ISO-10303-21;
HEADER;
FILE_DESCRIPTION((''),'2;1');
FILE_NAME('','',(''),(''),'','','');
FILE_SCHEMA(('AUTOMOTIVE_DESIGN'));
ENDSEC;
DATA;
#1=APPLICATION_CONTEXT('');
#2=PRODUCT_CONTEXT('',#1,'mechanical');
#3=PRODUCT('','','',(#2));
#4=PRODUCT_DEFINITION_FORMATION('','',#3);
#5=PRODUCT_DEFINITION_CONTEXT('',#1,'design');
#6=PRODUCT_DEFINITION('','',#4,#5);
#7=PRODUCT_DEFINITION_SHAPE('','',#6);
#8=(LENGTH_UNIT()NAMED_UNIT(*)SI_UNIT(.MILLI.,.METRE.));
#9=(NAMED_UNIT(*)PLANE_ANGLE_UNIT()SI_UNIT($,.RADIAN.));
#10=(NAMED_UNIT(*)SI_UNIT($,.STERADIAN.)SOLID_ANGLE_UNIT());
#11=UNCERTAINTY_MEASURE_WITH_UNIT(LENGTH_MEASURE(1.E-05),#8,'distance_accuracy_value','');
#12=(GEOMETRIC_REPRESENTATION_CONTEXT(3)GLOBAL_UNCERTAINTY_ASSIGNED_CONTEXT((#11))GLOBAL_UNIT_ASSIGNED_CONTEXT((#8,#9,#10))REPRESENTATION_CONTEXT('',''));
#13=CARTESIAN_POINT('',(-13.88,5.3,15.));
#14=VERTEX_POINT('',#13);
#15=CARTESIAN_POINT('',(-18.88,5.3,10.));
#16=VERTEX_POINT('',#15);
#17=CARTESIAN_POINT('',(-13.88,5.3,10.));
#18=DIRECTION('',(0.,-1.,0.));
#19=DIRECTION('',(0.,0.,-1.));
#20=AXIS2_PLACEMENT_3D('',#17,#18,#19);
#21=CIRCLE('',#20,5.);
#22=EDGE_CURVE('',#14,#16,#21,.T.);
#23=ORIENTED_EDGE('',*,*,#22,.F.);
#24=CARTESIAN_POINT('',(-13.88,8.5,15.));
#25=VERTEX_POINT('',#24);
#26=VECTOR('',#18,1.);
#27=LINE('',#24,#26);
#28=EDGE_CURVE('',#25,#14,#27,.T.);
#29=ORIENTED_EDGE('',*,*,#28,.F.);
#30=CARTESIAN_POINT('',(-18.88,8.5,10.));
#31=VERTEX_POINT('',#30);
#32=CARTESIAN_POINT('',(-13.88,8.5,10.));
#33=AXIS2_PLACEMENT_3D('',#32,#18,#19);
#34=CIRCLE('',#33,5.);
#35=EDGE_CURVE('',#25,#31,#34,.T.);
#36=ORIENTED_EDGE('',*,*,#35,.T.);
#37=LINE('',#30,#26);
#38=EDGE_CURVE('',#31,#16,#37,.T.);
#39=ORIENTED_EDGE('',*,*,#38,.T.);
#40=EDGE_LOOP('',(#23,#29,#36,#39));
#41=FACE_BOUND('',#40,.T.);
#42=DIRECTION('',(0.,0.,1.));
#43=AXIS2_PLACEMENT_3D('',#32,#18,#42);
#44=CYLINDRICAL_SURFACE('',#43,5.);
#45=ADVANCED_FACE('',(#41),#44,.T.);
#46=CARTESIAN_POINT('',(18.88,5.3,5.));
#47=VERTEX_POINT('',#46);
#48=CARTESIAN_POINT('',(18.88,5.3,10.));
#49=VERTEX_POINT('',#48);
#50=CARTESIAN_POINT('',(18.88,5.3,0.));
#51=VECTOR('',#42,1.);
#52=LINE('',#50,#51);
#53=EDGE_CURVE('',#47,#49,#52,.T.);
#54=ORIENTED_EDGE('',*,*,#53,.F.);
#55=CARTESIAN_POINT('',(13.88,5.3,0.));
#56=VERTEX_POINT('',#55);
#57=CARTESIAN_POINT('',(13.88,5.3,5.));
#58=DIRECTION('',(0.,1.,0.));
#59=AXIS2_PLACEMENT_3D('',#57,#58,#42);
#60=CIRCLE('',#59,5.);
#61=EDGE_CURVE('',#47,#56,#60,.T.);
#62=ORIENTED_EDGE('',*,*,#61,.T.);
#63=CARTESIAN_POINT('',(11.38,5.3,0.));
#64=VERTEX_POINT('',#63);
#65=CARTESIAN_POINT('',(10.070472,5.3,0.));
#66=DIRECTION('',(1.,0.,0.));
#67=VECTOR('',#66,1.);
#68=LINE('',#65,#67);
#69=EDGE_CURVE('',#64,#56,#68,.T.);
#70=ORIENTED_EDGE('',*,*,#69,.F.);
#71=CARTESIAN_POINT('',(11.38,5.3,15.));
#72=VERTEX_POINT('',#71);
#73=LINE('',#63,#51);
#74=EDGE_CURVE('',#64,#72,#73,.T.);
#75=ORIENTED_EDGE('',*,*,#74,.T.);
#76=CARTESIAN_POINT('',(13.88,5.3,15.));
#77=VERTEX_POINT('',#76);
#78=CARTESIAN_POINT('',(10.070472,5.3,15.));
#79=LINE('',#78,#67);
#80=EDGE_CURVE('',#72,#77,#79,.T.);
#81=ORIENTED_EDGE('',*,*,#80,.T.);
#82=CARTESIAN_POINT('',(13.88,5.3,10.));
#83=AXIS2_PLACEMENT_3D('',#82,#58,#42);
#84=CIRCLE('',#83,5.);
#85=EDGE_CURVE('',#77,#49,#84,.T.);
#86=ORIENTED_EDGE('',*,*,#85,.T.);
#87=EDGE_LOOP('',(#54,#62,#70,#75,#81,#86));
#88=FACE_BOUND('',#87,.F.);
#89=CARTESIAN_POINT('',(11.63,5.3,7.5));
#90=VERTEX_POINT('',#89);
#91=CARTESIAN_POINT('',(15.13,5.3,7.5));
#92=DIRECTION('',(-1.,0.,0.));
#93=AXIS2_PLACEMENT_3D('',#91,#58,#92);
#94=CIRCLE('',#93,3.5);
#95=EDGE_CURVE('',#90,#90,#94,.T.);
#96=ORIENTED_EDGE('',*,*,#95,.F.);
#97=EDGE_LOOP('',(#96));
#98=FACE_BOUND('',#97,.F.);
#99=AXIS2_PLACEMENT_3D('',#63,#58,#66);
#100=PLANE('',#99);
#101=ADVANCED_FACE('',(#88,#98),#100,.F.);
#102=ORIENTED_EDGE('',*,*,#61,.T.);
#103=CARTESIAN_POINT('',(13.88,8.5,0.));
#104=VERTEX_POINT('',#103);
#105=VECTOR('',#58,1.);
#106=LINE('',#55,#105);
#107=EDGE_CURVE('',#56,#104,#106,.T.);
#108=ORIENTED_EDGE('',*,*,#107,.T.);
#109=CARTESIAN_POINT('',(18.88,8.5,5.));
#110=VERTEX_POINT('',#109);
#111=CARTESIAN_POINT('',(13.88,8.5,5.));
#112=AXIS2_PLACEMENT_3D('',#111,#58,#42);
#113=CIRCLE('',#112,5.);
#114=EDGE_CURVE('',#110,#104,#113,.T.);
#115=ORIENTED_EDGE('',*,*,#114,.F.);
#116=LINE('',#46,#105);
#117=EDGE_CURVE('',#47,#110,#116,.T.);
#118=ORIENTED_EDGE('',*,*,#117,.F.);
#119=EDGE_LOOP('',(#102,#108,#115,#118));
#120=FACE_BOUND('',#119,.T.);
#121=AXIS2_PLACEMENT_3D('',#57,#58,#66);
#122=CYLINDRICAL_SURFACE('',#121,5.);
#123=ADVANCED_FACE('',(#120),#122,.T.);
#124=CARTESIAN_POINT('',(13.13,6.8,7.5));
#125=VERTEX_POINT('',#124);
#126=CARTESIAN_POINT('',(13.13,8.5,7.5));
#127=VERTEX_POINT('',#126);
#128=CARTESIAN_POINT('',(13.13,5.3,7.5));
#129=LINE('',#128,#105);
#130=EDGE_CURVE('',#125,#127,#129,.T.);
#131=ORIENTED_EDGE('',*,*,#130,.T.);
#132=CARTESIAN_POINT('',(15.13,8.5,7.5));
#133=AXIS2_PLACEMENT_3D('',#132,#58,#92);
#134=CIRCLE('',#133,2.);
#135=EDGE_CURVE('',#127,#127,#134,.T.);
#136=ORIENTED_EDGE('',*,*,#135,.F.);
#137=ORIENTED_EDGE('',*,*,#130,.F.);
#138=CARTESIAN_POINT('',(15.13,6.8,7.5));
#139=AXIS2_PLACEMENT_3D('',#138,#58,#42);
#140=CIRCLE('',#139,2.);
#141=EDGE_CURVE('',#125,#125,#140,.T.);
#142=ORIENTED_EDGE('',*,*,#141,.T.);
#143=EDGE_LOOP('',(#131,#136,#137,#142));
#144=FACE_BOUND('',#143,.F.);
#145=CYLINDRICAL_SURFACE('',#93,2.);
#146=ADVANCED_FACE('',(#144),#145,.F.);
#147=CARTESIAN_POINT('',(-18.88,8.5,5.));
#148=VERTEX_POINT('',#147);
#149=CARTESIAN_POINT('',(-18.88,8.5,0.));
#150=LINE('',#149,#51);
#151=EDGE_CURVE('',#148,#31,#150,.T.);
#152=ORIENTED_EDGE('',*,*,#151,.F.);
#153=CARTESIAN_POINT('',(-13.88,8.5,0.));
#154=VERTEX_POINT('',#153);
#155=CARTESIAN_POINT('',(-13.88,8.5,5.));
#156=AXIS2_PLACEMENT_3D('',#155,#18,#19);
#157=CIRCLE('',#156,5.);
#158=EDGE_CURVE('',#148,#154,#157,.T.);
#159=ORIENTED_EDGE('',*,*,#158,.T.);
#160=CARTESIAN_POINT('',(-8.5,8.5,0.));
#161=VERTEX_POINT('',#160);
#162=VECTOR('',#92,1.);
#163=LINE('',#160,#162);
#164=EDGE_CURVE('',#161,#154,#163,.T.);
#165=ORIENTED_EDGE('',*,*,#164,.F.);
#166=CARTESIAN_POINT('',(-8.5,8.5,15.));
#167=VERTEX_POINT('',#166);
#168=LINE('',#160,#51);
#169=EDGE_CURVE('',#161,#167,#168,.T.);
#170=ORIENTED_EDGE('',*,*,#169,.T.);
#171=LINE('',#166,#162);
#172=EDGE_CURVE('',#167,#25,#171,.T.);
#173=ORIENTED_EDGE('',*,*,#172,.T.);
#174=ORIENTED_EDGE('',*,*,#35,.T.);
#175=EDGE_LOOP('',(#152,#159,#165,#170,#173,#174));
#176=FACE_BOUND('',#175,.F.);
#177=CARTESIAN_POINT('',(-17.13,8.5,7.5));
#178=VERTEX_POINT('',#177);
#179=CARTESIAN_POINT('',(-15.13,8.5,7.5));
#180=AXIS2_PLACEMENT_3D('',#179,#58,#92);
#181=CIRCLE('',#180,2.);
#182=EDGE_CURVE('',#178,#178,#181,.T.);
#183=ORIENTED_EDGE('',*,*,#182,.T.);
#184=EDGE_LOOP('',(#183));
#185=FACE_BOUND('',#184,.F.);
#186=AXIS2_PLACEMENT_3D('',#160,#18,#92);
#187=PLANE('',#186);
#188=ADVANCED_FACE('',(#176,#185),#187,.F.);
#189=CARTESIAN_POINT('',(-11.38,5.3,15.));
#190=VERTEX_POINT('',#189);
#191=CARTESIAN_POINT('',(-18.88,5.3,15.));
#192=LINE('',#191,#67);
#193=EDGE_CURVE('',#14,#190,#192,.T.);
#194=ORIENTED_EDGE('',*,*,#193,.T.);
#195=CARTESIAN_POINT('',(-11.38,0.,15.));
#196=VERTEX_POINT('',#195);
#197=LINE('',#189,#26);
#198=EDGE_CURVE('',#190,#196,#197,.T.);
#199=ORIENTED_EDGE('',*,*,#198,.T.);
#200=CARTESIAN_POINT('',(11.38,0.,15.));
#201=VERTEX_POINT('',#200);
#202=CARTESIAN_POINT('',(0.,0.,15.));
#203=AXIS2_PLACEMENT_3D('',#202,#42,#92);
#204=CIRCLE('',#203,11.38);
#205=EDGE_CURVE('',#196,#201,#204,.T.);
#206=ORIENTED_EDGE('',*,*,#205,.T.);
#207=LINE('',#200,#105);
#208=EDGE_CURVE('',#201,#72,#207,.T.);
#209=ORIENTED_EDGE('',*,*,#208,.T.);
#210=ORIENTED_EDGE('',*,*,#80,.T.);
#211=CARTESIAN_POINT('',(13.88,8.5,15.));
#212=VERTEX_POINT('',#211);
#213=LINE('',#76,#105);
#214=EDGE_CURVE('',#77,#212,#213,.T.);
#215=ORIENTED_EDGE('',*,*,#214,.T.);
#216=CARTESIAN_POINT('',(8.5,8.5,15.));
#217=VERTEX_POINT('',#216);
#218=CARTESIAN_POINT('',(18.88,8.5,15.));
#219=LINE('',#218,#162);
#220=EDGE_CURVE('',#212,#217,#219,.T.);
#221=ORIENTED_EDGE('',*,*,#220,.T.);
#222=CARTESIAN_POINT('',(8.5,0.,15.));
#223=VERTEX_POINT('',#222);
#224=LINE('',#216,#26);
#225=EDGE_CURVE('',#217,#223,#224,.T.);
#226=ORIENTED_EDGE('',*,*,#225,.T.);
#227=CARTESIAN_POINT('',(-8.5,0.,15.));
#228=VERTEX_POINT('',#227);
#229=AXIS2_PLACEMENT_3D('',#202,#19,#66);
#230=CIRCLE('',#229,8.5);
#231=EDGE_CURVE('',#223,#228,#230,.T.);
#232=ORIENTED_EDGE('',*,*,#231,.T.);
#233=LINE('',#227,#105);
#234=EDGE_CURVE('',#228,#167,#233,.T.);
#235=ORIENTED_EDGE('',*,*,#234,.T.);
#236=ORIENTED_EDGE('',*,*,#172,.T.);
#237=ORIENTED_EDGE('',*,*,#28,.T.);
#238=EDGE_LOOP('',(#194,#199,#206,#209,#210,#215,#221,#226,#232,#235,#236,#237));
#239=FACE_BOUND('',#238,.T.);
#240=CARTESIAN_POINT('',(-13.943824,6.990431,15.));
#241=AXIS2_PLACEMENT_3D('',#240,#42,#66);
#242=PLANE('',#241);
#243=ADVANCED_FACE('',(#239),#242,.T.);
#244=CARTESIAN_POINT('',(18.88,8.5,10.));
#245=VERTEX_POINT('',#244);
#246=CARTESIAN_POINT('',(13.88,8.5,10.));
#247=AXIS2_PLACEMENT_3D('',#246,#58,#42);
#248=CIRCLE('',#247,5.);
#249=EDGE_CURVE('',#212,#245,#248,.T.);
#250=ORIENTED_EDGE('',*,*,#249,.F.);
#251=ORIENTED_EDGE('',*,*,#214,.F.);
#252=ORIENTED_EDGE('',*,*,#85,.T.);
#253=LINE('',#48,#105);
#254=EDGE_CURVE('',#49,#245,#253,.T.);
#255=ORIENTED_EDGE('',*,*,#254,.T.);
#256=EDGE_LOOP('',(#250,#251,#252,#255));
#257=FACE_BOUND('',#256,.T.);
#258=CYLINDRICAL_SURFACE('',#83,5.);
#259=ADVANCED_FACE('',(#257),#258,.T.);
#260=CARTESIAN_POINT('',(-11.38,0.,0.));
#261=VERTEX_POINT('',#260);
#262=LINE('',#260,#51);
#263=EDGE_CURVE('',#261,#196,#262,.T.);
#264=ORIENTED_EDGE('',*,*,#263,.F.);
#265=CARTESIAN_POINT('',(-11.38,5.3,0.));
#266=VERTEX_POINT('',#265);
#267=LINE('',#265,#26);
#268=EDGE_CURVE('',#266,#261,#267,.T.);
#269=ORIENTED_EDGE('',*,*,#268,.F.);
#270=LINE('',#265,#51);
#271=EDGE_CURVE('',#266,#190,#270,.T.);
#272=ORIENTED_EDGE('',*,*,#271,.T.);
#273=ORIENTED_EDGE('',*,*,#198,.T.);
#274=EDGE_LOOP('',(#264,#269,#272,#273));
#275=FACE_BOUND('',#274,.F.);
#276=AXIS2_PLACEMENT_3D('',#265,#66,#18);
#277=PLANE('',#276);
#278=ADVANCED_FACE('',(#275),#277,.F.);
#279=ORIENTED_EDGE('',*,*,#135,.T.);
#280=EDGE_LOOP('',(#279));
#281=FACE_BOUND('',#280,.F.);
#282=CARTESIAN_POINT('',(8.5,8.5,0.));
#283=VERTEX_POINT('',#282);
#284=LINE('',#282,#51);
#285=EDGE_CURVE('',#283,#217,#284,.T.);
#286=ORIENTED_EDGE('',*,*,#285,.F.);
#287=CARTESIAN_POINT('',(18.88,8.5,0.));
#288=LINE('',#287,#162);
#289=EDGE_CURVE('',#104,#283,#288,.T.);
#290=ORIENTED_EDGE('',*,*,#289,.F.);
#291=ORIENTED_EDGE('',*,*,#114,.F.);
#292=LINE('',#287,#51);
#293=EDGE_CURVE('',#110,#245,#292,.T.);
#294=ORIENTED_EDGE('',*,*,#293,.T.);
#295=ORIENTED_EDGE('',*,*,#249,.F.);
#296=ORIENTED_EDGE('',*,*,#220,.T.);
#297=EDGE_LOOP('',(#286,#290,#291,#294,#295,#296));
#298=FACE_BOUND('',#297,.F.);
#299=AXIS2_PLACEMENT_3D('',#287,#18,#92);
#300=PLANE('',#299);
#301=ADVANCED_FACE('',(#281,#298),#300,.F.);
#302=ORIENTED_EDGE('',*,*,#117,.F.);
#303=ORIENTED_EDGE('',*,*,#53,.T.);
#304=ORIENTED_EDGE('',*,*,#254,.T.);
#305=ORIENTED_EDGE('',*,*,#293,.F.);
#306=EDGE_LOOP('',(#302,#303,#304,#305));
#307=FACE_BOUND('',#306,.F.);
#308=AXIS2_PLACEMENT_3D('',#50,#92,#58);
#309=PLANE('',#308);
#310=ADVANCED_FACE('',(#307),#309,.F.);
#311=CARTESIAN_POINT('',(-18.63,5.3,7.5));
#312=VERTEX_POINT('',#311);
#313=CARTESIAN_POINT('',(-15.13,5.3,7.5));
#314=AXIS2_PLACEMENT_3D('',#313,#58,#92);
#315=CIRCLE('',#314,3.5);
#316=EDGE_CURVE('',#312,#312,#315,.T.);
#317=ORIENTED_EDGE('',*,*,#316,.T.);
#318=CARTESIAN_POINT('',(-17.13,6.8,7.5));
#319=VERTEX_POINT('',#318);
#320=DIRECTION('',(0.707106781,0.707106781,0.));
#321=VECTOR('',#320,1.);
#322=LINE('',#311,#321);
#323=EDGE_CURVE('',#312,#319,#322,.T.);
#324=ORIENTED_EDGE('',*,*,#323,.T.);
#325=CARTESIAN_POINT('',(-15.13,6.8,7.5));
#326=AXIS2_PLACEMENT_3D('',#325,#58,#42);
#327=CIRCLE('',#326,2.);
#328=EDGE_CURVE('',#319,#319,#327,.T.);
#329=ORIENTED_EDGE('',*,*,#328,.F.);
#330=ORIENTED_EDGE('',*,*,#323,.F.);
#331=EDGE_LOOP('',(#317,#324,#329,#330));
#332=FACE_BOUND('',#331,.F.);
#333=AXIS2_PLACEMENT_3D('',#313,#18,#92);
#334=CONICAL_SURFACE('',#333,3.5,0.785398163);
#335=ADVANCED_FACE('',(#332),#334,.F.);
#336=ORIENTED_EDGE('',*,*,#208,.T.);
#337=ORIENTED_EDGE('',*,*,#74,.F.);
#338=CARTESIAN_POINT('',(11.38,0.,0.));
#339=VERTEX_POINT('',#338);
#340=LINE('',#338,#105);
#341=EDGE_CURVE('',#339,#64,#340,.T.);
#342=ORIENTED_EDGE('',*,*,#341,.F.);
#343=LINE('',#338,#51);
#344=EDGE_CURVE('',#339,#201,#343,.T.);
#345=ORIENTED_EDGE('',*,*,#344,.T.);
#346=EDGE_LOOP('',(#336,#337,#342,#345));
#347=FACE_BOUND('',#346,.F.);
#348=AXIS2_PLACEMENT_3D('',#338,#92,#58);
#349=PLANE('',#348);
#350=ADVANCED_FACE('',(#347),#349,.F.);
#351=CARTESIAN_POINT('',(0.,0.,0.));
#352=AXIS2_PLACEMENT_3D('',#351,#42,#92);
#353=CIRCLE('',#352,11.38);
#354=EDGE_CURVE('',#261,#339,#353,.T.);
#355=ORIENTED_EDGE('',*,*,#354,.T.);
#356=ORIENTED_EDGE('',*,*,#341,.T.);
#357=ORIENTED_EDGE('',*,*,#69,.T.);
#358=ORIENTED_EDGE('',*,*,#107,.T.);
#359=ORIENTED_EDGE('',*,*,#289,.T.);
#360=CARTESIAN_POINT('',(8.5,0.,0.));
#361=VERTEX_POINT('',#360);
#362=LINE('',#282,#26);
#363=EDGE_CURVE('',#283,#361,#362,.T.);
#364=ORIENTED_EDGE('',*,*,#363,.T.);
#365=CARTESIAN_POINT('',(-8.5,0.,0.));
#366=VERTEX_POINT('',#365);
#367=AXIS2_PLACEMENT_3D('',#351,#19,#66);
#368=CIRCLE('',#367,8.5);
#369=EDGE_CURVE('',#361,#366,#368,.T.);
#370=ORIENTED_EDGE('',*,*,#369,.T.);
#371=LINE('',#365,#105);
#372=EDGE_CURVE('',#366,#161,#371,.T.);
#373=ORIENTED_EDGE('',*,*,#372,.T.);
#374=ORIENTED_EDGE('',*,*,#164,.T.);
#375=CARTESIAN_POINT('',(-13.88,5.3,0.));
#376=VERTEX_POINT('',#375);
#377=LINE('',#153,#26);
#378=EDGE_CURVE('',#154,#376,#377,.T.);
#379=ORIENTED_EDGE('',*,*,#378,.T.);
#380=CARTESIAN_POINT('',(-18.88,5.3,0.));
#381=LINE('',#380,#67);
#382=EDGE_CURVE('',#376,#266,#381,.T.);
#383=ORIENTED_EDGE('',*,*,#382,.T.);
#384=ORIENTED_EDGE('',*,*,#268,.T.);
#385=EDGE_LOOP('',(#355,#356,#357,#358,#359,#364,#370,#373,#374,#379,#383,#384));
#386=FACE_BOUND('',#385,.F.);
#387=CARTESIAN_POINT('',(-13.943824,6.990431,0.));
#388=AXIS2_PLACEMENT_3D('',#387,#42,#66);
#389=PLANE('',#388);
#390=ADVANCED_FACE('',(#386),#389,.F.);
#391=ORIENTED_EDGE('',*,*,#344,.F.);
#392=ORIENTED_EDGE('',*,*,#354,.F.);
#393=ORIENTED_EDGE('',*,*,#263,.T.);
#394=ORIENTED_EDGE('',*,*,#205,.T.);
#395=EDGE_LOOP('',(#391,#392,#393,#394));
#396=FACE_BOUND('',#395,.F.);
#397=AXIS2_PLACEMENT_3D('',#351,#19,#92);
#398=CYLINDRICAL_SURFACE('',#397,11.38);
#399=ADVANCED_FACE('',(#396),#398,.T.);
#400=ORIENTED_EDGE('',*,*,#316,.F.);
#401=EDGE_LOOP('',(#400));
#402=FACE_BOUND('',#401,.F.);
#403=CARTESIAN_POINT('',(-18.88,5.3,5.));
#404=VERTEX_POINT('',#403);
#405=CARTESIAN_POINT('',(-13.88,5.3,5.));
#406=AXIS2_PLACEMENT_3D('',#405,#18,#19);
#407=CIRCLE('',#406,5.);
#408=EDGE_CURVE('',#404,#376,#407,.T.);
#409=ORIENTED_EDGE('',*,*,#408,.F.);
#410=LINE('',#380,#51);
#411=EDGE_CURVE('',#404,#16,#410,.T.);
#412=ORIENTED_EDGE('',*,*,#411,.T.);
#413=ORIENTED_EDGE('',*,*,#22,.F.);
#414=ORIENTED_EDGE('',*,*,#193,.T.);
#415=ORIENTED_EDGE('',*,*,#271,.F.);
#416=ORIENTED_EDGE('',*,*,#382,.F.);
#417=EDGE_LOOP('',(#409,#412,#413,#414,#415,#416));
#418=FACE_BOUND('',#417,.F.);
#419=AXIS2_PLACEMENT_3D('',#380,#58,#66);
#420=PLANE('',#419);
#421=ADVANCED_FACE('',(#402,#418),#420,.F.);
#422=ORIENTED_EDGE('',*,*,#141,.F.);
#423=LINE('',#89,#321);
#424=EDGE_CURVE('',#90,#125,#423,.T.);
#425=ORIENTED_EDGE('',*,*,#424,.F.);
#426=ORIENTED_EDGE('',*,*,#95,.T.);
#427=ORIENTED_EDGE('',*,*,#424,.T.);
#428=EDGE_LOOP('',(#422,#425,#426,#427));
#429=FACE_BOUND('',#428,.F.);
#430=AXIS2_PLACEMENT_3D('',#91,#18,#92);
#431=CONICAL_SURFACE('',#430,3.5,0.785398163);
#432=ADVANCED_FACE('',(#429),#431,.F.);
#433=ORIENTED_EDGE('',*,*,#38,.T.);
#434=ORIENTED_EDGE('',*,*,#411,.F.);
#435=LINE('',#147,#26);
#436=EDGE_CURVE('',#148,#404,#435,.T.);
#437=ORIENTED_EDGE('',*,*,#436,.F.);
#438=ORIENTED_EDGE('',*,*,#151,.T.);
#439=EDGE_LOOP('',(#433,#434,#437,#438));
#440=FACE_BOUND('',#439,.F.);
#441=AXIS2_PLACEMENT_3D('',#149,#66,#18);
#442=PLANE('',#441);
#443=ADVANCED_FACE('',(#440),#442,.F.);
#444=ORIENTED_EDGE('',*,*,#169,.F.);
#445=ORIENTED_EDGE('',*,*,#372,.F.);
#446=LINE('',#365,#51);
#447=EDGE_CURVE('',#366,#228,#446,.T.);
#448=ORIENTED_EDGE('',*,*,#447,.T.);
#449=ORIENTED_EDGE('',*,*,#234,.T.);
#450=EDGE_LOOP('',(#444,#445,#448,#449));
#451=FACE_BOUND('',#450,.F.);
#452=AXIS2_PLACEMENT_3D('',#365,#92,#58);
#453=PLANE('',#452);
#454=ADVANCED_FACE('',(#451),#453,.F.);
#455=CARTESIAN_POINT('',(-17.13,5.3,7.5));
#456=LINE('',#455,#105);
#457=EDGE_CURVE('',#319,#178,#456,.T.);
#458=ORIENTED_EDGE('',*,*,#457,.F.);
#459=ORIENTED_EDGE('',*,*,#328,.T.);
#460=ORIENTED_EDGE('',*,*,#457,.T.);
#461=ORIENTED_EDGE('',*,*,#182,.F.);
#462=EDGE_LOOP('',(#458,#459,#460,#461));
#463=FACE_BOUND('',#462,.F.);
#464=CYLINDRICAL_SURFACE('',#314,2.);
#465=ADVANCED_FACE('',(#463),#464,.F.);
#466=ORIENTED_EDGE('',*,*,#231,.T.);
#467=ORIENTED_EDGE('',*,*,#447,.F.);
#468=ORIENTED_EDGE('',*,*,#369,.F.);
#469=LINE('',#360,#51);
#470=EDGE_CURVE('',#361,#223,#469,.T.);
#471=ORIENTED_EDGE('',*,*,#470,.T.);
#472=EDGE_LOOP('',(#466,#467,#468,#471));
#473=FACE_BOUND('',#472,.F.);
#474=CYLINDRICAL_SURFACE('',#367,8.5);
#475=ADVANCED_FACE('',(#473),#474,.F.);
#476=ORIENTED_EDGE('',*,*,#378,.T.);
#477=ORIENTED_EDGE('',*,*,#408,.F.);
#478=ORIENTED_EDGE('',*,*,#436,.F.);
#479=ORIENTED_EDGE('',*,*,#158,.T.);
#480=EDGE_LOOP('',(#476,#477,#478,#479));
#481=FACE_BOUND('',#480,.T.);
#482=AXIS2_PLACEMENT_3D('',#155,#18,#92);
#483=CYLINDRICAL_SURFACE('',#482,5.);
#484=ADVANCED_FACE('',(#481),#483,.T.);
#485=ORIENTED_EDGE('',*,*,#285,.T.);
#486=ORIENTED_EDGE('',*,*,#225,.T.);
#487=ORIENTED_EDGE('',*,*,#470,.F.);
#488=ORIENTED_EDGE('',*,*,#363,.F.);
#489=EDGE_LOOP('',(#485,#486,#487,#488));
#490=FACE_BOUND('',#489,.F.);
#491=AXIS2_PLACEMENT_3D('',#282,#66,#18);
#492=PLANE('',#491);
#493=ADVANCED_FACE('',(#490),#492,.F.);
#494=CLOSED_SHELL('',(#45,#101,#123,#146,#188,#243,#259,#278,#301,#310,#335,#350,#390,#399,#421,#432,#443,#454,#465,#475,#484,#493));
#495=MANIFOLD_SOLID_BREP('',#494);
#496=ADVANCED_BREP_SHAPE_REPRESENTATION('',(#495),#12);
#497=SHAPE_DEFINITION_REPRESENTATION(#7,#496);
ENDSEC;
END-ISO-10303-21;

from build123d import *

# Parameters (mm, degrees)
F1_DEPTH       = 15
F3_D           = 4
F3_CSINK_D     = 7
F3_CSINK_ANGLE = 90
F4_R           = 5


with BuildPart() as f1:
    # F0 (on Top) → F1 (new body)
    with BuildSketch(Plane.XY):
        with BuildLine():
            ThreePointArc((-10.0704716871, 5.3), (-9.3541459143, 6.4810766246), (-8.5, 7.5666637298))
            Line((-8.5, 7.5666637298), (-8.5, 8.5))
            Line((-8.5, 8.5), (-18.88, 8.5))
            Line((-18.88, 8.5), (-18.88, 5.3))
            Line((-18.88, 5.3), (-11.38, 5.3))
            Line((-11.38, 5.3), (-10.0704716871, 5.3))
        make_face()
        with BuildLine():
            ThreePointArc((-11.38, 0), (-11.0477682769, 2.7296915761), (-10.0704716871, 5.3))
            Line((-10.0704716871, 5.3), (-11.38, 5.3))
            Line((-11.38, 5.3), (-11.38, 0))
        make_face()
        with BuildLine():
            ThreePointArc((8.5, 0), (0, -8.5), (-8.5, 0))
            Line((-8.5, 0), (-8.5, 5.3))
            Line((-8.5, 5.3), (-10.0704716871, 5.3))
            ThreePointArc((-10.0704716871, 5.3), (-11.0477682769, 2.7296915761), (-11.38, 0))
            ThreePointArc((-11.38, 0), (0, -11.38), (11.38, 0))
            ThreePointArc((11.38, 0), (11.0477682769, 2.7296915761), (10.0704716871, 5.3))
            Line((10.0704716871, 5.3), (8.5, 5.3))
            Line((8.5, 5.3), (8.5, 0))
        make_face()
        with BuildLine():
            Line((11.38, 5.3), (10.0704716871, 5.3))
            ThreePointArc((10.0704716871, 5.3), (11.0477682769, 2.7296915761), (11.38, 0))
            Line((11.38, 0), (11.38, 5.3))
        make_face()
        with BuildLine():
            Line((8.5, 8.5), (8.5, 7.5666637298))
            ThreePointArc((8.5, 7.5666637298), (9.3541459143, 6.4810766246), (10.0704716871, 5.3))
            Line((10.0704716871, 5.3), (11.38, 5.3))
            Line((11.38, 5.3), (18.88, 5.3))
            Line((18.88, 5.3), (18.88, 8.5))
            Line((18.88, 8.5), (8.5, 8.5))
        make_face()
        with BuildLine():
            Line((-10.0704716871, 5.3), (-8.5, 5.3))
            Line((-8.5, 5.3), (-8.5, 7.5666637298))
            ThreePointArc((-8.5, 7.5666637298), (-9.3541459143, 6.4810766246), (-10.0704716871, 5.3))
        make_face()
        with BuildLine():
            Line((8.5, 7.5666637298), (8.5, 5.3))
            Line((8.5, 5.3), (10.0704716871, 5.3))
            ThreePointArc((10.0704716871, 5.3), (9.3541459143, 6.4810766246), (8.5, 7.5666637298))
        make_face()
    extrude(amount=F1_DEPTH)

    # F3 (through all)
    with Locations(Plane.XZ.offset(-5.3)):
        with Locations((-15.13, 7.5), (15.13, 7.5)):
            CounterSinkHole(F3_D / 2, F3_CSINK_D / 2, counter_sink_angle=F3_CSINK_ANGLE)

    # F4
    f4_edges = [f1.edges().sort_by_distance(p)[0] for p in [
        (-18.88, 6.9, 15),
        (-18.88, 6.9, 0),
        (18.88, 6.9, 15),
        (18.88, 6.9, 0),
    ]]
    fillet(f4_edges, radius=F4_R)


solid = f1.part
